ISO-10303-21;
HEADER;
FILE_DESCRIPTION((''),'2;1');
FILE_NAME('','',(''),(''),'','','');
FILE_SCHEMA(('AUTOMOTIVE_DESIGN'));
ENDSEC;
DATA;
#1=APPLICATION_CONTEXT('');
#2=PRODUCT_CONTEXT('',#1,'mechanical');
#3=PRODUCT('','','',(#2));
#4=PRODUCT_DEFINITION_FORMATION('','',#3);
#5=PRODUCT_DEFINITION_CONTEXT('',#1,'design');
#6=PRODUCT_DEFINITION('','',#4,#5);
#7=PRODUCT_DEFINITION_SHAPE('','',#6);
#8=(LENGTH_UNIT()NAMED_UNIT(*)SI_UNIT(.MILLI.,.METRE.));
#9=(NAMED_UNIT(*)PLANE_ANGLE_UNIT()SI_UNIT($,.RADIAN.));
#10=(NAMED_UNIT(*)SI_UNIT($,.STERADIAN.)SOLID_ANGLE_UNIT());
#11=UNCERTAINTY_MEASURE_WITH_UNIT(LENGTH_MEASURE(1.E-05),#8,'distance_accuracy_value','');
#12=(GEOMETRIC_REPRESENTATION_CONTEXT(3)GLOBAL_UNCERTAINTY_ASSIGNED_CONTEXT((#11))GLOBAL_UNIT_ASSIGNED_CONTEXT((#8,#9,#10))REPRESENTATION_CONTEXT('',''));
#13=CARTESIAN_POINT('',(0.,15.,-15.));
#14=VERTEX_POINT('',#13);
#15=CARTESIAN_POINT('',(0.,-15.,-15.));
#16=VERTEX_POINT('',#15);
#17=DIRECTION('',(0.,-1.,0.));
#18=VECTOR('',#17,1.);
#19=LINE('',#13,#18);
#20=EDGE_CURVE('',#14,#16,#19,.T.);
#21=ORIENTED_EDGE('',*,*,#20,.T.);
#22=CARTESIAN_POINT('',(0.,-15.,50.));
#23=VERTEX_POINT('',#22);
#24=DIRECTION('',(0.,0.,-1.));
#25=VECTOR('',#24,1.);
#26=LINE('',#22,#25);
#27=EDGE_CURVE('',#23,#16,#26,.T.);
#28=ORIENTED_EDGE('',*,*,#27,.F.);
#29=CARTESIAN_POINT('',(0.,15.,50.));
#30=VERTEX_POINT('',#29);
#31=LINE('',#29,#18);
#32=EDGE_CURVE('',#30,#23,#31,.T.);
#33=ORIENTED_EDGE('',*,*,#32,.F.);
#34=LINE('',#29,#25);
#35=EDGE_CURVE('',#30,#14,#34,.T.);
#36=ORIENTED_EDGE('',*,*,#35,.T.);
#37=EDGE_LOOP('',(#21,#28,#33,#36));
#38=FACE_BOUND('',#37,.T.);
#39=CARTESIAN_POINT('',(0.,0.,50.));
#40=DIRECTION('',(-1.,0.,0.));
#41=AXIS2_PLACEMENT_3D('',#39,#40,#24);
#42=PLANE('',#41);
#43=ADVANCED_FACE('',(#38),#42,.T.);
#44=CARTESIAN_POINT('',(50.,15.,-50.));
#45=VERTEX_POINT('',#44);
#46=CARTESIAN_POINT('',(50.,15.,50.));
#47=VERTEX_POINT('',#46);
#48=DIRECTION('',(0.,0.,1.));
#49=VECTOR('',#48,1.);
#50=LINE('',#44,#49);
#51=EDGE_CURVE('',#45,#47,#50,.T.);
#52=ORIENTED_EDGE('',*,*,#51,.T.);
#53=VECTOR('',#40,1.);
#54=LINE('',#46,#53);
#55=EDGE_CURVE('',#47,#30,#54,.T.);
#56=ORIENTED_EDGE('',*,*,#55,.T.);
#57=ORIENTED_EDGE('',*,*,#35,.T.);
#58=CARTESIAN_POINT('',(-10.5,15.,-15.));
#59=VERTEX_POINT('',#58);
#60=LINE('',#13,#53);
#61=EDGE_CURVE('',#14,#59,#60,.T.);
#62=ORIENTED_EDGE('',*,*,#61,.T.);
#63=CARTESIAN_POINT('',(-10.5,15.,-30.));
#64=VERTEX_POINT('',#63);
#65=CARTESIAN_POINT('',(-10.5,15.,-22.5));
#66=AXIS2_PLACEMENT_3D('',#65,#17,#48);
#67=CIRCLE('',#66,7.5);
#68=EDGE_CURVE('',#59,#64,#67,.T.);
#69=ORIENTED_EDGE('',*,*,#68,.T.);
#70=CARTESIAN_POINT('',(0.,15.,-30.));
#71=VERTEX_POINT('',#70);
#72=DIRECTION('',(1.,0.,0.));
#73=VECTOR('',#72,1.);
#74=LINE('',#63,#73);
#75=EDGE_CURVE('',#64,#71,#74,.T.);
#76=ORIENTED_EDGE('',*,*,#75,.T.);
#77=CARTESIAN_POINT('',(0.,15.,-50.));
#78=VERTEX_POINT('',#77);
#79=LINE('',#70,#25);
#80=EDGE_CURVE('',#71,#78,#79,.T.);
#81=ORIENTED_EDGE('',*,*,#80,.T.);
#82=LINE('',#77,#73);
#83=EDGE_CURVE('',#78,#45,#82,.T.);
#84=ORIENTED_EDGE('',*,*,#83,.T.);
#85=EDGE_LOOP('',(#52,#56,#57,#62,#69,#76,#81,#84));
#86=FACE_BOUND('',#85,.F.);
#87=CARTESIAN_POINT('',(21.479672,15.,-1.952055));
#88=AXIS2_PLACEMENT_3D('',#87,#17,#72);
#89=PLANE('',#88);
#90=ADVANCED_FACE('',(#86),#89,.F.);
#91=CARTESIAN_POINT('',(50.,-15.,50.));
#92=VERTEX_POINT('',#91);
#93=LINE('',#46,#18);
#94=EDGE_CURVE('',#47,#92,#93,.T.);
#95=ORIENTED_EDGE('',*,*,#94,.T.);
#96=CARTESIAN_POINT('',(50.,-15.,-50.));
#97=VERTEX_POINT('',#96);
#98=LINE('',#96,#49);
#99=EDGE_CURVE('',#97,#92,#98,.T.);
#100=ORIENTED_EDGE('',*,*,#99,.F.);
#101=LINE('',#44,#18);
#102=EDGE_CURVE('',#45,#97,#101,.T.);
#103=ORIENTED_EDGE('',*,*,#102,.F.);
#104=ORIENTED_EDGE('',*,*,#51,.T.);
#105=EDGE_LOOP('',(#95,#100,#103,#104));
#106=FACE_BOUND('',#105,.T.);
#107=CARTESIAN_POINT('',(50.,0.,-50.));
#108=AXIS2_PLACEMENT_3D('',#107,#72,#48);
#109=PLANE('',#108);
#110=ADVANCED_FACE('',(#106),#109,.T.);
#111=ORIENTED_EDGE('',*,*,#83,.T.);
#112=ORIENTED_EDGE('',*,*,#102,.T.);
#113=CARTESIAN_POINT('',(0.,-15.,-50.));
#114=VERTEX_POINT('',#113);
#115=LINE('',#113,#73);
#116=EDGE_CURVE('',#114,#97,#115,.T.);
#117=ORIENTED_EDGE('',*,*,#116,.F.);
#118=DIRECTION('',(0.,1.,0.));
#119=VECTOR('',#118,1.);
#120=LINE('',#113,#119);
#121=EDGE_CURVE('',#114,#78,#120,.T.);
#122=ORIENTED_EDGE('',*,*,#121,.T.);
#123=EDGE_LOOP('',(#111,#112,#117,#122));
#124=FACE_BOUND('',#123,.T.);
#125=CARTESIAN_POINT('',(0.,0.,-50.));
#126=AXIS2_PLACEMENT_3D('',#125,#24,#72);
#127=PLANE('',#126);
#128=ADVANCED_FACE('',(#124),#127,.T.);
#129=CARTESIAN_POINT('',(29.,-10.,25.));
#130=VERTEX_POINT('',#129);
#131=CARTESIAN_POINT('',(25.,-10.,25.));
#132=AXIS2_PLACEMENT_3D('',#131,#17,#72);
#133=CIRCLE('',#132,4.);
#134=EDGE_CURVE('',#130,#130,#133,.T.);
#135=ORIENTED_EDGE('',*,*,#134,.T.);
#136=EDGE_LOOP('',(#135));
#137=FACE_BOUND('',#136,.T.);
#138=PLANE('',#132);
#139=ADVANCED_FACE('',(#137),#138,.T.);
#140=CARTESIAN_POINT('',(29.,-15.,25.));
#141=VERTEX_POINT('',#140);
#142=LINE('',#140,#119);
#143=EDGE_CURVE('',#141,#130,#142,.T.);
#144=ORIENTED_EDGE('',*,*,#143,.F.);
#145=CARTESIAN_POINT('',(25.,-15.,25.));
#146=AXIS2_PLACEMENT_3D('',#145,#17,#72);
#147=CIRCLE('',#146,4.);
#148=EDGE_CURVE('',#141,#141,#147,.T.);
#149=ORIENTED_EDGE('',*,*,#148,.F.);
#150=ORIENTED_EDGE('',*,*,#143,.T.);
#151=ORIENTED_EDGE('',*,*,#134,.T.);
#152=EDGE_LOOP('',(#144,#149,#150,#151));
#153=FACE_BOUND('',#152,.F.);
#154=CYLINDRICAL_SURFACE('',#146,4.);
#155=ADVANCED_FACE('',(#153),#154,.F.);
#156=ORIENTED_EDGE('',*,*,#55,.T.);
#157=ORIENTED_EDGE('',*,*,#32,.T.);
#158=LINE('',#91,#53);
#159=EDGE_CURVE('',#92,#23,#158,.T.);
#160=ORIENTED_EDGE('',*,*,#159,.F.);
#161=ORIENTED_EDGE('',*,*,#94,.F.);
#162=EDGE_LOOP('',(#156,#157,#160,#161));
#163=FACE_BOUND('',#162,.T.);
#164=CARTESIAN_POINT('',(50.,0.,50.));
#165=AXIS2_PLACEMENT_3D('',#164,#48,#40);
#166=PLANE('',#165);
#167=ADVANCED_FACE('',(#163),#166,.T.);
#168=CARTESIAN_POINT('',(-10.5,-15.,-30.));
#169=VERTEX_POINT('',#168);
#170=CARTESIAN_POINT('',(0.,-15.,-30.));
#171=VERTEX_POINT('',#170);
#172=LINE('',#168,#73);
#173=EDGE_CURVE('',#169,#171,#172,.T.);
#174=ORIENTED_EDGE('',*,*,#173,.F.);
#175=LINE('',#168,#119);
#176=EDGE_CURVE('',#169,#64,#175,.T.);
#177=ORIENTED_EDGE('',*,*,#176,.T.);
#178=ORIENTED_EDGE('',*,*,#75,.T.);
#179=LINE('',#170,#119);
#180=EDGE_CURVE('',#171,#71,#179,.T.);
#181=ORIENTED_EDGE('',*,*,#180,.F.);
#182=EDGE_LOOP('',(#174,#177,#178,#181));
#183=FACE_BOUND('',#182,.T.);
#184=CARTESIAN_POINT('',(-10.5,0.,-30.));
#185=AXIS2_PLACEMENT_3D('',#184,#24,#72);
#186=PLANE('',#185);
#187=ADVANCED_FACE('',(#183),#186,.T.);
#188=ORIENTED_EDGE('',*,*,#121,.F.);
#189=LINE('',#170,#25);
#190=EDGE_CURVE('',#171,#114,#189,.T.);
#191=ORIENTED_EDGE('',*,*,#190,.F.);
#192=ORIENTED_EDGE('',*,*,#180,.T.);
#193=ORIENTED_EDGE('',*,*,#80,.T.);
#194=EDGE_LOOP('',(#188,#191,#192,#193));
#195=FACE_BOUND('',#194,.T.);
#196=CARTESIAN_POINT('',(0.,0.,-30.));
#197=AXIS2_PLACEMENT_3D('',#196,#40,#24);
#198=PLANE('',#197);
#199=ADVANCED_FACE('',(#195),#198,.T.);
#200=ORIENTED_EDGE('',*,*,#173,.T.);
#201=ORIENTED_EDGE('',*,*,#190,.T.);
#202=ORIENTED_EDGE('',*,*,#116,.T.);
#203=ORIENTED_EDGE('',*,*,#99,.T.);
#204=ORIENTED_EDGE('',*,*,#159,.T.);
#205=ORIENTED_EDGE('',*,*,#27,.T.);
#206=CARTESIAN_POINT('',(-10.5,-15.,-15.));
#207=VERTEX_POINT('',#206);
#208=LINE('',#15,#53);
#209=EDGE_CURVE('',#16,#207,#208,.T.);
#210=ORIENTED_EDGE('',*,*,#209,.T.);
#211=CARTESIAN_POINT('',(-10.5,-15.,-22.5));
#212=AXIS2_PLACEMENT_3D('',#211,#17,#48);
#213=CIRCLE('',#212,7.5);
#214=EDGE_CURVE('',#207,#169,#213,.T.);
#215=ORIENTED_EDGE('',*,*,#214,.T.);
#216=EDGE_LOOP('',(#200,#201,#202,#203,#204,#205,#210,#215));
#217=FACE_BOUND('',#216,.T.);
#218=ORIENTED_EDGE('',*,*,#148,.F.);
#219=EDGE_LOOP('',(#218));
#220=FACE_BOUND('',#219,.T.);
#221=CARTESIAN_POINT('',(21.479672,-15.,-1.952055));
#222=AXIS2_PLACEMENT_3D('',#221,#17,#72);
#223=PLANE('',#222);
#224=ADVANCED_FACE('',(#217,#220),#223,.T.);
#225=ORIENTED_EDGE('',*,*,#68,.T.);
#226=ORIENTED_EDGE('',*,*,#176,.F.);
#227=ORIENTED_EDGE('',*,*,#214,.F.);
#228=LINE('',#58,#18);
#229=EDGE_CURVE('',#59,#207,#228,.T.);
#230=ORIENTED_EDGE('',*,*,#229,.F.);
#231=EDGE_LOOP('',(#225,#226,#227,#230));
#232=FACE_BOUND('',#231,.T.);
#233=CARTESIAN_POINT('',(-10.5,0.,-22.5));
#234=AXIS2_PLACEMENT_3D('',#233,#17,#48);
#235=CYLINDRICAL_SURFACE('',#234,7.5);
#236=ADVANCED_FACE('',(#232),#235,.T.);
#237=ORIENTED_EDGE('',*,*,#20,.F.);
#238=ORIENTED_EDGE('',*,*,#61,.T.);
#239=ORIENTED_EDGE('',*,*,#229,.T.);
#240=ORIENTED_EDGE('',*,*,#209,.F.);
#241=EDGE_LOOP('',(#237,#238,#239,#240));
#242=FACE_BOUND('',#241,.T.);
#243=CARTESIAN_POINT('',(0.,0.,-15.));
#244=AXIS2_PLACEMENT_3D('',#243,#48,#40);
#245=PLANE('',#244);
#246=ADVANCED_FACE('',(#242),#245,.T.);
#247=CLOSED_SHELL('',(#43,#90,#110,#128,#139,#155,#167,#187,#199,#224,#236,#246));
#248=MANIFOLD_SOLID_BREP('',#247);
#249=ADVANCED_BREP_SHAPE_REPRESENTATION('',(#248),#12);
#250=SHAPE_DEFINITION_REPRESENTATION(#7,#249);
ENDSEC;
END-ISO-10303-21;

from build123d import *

# Parameters (mm, degrees)
F1_DEPTH = 15
F2_R     = 4
F3_DEPTH = 5


with BuildPart() as f1:
    # F0 (on Front) → F1 (new body, symmetric)
    with BuildSketch(Plane.XZ):
        with BuildLine():
            Line((0, -50), (50, -50))
            Line((50, -50), (50, 50))
            Line((50, 50), (0, 50))
            Line((0, 50), (0, -15))
            Line((0, -15), (-10.5, -15))
            ThreePointArc((-10.5, -15), (-18, -22.5), (-10.5, -30))
            Line((-10.5, -30), (0, -30))
            Line((0, -30), (0, -50))
        make_face()
    extrude(amount=F1_DEPTH, both=True)

    # F2 (on face) → F3 (cut)
    with BuildSketch(Plane.XZ.offset(15)):
        with Locations((25, 25)):
            Circle(F2_R)
    extrude(amount=-F3_DEPTH, mode=Mode.SUBTRACT)


solid = f1.part
